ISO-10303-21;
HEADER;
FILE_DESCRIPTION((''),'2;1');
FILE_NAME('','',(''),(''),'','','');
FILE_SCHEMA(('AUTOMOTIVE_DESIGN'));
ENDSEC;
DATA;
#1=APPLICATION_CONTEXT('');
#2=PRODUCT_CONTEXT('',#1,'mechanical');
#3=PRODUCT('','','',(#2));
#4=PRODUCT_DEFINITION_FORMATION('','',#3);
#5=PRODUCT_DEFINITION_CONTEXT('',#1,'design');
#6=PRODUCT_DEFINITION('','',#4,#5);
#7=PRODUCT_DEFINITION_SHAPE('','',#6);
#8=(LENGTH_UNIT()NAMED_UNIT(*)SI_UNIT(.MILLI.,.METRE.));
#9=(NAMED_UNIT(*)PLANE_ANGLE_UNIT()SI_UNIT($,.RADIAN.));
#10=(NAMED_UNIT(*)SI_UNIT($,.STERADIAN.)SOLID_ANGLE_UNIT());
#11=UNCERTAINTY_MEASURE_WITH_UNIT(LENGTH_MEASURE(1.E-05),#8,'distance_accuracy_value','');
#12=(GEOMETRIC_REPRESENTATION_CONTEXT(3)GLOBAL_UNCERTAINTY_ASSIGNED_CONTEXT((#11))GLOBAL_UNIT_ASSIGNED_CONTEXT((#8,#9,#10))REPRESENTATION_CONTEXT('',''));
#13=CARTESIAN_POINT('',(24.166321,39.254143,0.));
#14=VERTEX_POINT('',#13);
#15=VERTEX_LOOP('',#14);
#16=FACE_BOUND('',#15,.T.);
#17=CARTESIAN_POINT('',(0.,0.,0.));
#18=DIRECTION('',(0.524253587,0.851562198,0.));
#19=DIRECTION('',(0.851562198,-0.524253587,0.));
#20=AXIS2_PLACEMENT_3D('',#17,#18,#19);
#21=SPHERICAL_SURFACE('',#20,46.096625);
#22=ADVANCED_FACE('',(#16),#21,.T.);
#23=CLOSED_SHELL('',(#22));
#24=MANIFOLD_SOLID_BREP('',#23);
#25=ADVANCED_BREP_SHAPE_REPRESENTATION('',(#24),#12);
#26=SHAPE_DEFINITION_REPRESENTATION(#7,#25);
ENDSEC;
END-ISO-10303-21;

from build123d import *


with BuildPart() as f1:
    # F0 (on Top) → F1 (revolve)
    with BuildSketch(Plane.XY):
        with BuildLine():
            Line((0, 0), (-24.1663209474, -39.2541431721))
            ThreePointArc((-24.1663209474, -39.2541431721), (39.2541431721, -24.1663209474), (24.1663209474, 39.2541431721))
            Line((24.1663209474, 39.2541431721), (0, 0))
        make_face()
    revolve(axis=Axis((12.0831604737, 19.627071586, 0), (0.5242535872, 0.8515621975, 0)))


solid = f1.part
